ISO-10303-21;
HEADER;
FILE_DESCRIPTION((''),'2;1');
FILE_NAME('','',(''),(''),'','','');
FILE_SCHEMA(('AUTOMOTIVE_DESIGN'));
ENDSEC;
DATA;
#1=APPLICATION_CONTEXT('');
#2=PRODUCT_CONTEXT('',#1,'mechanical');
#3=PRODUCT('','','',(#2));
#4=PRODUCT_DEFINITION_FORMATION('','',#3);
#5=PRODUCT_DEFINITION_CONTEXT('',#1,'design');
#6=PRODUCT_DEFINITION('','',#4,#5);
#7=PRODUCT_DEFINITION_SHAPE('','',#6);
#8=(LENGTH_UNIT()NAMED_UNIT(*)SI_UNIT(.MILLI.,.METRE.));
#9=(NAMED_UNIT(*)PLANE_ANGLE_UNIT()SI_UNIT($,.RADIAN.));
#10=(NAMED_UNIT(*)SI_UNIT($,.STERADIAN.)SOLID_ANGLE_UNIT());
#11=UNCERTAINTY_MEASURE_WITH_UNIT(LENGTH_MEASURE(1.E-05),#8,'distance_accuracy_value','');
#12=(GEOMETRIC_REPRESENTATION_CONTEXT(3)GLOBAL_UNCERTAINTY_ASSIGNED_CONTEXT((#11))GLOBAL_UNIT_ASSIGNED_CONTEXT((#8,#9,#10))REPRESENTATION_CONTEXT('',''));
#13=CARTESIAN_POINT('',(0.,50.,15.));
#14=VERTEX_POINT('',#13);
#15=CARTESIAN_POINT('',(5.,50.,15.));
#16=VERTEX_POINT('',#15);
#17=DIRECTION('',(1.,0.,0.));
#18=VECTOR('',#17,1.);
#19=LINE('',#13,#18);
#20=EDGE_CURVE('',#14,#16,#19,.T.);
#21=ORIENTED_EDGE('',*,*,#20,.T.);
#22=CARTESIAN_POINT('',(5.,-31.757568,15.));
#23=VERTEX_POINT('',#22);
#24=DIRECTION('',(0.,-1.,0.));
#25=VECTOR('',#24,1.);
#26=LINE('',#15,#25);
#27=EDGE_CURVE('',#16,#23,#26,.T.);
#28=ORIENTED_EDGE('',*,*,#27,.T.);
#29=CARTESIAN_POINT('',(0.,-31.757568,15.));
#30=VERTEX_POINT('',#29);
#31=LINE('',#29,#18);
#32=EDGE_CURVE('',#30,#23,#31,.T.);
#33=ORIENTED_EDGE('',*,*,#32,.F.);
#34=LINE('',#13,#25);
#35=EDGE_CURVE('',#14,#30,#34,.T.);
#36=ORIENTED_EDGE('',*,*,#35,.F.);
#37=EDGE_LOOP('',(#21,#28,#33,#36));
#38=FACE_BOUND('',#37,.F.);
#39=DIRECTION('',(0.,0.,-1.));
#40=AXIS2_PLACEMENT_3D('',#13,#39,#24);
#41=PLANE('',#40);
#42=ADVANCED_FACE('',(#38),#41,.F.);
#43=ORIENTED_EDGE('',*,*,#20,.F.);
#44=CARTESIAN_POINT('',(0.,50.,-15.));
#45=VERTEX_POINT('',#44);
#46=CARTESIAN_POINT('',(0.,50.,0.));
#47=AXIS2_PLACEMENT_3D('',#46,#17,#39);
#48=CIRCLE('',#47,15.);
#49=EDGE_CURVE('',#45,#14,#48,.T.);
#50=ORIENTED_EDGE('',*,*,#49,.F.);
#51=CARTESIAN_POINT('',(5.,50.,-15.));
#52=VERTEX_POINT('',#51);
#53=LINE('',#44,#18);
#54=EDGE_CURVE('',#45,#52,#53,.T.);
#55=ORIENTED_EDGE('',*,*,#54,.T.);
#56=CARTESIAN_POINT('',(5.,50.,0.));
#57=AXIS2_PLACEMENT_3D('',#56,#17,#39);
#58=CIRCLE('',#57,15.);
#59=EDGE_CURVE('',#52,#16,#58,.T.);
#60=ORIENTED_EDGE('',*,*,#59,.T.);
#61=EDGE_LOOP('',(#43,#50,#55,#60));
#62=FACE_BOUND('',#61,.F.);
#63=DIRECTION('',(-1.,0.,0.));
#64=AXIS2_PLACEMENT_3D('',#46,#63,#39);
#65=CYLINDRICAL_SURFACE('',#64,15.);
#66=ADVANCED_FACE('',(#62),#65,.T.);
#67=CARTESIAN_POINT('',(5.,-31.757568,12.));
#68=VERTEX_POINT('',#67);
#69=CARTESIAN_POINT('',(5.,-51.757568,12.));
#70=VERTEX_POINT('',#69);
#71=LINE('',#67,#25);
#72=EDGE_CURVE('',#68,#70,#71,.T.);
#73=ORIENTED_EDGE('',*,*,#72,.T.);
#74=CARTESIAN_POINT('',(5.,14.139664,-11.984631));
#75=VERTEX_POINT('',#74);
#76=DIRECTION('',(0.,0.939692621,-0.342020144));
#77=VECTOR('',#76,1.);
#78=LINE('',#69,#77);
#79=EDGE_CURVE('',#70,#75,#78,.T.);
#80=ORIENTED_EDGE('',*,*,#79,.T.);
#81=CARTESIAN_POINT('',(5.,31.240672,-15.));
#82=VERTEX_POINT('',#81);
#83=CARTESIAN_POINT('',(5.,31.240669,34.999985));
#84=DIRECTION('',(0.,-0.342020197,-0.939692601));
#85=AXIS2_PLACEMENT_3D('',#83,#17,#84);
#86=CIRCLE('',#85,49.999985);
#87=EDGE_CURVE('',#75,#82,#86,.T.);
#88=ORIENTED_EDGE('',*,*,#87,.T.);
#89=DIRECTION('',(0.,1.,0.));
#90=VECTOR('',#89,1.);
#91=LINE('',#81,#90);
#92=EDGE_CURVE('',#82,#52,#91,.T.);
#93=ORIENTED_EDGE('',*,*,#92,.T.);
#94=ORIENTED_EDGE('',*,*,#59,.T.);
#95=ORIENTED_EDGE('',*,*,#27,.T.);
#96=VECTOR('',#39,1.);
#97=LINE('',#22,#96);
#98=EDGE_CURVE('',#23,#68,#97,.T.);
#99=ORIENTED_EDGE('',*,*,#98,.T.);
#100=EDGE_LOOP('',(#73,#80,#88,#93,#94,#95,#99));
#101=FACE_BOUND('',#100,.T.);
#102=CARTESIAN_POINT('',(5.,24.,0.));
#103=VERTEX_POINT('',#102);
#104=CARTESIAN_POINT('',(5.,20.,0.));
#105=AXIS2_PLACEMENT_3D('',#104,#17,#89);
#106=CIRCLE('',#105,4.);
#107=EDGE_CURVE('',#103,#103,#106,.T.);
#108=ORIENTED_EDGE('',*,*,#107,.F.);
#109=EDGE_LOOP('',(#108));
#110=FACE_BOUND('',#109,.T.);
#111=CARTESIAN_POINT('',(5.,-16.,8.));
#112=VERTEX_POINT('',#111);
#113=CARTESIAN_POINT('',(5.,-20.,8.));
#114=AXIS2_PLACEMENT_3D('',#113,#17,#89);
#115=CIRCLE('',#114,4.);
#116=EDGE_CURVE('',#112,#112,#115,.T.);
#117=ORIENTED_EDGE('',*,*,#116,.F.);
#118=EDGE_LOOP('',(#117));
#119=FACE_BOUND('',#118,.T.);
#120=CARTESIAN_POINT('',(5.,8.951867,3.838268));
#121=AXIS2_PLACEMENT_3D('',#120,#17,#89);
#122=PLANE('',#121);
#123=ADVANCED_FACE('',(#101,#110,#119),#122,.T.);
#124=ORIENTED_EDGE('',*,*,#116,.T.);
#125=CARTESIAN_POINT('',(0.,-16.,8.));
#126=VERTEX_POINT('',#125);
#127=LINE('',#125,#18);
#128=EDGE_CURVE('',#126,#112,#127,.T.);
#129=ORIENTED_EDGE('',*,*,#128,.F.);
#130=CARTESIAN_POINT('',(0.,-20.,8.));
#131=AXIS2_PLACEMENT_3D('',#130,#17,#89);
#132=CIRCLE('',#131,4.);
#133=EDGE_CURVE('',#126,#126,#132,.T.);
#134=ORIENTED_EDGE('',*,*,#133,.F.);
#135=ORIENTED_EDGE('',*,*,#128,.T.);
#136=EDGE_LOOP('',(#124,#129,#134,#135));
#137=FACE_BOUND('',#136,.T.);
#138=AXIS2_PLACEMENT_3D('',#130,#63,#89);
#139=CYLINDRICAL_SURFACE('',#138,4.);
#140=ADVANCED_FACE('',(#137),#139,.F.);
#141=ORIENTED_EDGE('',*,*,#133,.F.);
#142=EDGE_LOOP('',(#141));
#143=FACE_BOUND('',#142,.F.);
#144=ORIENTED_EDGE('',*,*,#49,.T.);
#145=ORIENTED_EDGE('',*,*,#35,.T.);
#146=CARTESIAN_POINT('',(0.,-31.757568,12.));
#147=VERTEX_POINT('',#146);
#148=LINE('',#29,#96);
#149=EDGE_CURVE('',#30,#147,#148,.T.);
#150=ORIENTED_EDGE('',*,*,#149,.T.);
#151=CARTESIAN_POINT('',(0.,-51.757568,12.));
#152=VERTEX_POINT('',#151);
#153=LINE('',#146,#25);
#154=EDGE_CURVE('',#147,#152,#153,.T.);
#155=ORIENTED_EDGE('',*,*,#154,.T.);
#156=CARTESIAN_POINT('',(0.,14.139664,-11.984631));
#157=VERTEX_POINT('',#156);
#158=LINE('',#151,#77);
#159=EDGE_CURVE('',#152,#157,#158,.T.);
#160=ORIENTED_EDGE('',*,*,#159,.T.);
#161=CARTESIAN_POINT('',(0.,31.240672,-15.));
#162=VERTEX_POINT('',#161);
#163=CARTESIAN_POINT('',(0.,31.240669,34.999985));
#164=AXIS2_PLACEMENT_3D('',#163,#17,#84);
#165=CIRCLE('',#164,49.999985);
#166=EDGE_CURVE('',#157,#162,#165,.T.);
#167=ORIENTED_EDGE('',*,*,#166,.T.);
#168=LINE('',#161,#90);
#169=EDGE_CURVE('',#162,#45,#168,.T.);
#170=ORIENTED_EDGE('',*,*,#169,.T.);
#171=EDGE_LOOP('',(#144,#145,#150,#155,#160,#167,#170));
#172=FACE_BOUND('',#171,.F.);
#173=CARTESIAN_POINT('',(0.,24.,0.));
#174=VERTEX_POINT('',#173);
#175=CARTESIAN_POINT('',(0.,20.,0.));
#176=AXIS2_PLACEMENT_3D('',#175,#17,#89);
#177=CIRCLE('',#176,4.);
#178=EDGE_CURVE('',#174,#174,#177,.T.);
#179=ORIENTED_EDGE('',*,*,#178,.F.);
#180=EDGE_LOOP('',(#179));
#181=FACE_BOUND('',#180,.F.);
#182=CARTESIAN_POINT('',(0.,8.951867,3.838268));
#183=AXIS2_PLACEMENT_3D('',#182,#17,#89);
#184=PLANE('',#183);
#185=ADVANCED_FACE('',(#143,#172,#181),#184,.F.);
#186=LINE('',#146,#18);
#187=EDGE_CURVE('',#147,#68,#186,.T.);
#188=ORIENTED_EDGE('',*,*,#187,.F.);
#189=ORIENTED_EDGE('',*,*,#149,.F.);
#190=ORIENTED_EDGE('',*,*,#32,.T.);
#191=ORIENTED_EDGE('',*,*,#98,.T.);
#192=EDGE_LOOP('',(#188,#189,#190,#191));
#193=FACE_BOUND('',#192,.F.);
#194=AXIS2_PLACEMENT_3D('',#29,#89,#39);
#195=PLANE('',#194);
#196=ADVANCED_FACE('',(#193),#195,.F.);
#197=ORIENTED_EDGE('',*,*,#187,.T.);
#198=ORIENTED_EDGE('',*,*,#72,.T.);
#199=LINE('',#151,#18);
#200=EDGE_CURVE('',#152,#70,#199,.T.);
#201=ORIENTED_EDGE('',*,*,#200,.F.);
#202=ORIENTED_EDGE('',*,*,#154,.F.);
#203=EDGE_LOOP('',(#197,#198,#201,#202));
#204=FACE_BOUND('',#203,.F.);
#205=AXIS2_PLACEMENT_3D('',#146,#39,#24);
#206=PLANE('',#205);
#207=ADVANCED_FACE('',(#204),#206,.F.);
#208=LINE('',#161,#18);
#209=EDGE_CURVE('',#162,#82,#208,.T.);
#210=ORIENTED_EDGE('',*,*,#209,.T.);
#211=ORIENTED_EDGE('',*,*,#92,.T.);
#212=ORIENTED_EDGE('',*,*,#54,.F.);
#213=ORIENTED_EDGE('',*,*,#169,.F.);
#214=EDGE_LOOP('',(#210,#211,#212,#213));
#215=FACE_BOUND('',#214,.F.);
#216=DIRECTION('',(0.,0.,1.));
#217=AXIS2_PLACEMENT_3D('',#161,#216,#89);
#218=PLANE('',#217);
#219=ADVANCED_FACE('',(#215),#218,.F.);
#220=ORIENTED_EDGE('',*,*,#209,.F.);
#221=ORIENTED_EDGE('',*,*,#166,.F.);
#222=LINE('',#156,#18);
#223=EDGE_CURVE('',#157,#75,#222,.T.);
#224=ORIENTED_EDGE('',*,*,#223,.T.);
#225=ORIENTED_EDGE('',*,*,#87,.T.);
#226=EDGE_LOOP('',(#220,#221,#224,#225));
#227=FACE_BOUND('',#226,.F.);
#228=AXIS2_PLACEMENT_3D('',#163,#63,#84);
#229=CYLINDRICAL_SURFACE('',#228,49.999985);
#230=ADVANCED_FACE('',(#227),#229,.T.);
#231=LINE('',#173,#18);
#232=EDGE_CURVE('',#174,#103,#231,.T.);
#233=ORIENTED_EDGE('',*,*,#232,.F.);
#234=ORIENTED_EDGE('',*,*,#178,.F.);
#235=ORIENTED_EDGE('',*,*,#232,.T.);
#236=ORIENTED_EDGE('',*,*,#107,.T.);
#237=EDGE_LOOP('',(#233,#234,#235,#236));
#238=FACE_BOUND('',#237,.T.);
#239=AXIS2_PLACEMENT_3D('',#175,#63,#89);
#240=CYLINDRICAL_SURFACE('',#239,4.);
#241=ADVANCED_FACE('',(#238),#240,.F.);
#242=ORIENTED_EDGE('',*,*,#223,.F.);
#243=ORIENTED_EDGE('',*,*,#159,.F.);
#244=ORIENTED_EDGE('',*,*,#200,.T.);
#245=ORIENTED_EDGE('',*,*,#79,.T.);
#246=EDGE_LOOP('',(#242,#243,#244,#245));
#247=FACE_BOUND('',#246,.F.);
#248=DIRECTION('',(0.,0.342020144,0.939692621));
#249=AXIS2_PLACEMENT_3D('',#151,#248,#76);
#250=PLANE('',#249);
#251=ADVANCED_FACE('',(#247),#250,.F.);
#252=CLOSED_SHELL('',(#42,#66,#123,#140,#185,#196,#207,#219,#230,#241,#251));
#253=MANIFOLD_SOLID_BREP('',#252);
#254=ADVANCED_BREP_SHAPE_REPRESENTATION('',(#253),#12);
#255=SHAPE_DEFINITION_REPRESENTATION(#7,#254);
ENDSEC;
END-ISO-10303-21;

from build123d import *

# Parameters (mm, degrees)
F0_R     = 4
F1_DEPTH = 5


with BuildPart() as f1:
    # F0 (on Right) → F1 (new body)
    with BuildSketch(Plane.YZ):
        with BuildLine():
            Line((50, 15), (-31.757568, 15))
            Line((-31.757568, 15), (-31.757568, 12))
            Line((-31.757568, 12), (-51.757568, 12))
            Line((-51.757568, 12), (14.139664, -11.984631))
            ThreePointArc((14.139664, -11.984631), (22.558263, -14.240388), (31.240672, -15))
            Line((31.240672, -15), (50, -15))
            ThreePointArc((50, -15), (65, 0), (50, 15))
        make_face()
        with Locations((-20, 8)):
            Circle(F0_R, mode=Mode.SUBTRACT)
        with Locations((20, 0)):
            Circle(F0_R, mode=Mode.SUBTRACT)
    extrude(amount=F1_DEPTH)


solid = f1.part
